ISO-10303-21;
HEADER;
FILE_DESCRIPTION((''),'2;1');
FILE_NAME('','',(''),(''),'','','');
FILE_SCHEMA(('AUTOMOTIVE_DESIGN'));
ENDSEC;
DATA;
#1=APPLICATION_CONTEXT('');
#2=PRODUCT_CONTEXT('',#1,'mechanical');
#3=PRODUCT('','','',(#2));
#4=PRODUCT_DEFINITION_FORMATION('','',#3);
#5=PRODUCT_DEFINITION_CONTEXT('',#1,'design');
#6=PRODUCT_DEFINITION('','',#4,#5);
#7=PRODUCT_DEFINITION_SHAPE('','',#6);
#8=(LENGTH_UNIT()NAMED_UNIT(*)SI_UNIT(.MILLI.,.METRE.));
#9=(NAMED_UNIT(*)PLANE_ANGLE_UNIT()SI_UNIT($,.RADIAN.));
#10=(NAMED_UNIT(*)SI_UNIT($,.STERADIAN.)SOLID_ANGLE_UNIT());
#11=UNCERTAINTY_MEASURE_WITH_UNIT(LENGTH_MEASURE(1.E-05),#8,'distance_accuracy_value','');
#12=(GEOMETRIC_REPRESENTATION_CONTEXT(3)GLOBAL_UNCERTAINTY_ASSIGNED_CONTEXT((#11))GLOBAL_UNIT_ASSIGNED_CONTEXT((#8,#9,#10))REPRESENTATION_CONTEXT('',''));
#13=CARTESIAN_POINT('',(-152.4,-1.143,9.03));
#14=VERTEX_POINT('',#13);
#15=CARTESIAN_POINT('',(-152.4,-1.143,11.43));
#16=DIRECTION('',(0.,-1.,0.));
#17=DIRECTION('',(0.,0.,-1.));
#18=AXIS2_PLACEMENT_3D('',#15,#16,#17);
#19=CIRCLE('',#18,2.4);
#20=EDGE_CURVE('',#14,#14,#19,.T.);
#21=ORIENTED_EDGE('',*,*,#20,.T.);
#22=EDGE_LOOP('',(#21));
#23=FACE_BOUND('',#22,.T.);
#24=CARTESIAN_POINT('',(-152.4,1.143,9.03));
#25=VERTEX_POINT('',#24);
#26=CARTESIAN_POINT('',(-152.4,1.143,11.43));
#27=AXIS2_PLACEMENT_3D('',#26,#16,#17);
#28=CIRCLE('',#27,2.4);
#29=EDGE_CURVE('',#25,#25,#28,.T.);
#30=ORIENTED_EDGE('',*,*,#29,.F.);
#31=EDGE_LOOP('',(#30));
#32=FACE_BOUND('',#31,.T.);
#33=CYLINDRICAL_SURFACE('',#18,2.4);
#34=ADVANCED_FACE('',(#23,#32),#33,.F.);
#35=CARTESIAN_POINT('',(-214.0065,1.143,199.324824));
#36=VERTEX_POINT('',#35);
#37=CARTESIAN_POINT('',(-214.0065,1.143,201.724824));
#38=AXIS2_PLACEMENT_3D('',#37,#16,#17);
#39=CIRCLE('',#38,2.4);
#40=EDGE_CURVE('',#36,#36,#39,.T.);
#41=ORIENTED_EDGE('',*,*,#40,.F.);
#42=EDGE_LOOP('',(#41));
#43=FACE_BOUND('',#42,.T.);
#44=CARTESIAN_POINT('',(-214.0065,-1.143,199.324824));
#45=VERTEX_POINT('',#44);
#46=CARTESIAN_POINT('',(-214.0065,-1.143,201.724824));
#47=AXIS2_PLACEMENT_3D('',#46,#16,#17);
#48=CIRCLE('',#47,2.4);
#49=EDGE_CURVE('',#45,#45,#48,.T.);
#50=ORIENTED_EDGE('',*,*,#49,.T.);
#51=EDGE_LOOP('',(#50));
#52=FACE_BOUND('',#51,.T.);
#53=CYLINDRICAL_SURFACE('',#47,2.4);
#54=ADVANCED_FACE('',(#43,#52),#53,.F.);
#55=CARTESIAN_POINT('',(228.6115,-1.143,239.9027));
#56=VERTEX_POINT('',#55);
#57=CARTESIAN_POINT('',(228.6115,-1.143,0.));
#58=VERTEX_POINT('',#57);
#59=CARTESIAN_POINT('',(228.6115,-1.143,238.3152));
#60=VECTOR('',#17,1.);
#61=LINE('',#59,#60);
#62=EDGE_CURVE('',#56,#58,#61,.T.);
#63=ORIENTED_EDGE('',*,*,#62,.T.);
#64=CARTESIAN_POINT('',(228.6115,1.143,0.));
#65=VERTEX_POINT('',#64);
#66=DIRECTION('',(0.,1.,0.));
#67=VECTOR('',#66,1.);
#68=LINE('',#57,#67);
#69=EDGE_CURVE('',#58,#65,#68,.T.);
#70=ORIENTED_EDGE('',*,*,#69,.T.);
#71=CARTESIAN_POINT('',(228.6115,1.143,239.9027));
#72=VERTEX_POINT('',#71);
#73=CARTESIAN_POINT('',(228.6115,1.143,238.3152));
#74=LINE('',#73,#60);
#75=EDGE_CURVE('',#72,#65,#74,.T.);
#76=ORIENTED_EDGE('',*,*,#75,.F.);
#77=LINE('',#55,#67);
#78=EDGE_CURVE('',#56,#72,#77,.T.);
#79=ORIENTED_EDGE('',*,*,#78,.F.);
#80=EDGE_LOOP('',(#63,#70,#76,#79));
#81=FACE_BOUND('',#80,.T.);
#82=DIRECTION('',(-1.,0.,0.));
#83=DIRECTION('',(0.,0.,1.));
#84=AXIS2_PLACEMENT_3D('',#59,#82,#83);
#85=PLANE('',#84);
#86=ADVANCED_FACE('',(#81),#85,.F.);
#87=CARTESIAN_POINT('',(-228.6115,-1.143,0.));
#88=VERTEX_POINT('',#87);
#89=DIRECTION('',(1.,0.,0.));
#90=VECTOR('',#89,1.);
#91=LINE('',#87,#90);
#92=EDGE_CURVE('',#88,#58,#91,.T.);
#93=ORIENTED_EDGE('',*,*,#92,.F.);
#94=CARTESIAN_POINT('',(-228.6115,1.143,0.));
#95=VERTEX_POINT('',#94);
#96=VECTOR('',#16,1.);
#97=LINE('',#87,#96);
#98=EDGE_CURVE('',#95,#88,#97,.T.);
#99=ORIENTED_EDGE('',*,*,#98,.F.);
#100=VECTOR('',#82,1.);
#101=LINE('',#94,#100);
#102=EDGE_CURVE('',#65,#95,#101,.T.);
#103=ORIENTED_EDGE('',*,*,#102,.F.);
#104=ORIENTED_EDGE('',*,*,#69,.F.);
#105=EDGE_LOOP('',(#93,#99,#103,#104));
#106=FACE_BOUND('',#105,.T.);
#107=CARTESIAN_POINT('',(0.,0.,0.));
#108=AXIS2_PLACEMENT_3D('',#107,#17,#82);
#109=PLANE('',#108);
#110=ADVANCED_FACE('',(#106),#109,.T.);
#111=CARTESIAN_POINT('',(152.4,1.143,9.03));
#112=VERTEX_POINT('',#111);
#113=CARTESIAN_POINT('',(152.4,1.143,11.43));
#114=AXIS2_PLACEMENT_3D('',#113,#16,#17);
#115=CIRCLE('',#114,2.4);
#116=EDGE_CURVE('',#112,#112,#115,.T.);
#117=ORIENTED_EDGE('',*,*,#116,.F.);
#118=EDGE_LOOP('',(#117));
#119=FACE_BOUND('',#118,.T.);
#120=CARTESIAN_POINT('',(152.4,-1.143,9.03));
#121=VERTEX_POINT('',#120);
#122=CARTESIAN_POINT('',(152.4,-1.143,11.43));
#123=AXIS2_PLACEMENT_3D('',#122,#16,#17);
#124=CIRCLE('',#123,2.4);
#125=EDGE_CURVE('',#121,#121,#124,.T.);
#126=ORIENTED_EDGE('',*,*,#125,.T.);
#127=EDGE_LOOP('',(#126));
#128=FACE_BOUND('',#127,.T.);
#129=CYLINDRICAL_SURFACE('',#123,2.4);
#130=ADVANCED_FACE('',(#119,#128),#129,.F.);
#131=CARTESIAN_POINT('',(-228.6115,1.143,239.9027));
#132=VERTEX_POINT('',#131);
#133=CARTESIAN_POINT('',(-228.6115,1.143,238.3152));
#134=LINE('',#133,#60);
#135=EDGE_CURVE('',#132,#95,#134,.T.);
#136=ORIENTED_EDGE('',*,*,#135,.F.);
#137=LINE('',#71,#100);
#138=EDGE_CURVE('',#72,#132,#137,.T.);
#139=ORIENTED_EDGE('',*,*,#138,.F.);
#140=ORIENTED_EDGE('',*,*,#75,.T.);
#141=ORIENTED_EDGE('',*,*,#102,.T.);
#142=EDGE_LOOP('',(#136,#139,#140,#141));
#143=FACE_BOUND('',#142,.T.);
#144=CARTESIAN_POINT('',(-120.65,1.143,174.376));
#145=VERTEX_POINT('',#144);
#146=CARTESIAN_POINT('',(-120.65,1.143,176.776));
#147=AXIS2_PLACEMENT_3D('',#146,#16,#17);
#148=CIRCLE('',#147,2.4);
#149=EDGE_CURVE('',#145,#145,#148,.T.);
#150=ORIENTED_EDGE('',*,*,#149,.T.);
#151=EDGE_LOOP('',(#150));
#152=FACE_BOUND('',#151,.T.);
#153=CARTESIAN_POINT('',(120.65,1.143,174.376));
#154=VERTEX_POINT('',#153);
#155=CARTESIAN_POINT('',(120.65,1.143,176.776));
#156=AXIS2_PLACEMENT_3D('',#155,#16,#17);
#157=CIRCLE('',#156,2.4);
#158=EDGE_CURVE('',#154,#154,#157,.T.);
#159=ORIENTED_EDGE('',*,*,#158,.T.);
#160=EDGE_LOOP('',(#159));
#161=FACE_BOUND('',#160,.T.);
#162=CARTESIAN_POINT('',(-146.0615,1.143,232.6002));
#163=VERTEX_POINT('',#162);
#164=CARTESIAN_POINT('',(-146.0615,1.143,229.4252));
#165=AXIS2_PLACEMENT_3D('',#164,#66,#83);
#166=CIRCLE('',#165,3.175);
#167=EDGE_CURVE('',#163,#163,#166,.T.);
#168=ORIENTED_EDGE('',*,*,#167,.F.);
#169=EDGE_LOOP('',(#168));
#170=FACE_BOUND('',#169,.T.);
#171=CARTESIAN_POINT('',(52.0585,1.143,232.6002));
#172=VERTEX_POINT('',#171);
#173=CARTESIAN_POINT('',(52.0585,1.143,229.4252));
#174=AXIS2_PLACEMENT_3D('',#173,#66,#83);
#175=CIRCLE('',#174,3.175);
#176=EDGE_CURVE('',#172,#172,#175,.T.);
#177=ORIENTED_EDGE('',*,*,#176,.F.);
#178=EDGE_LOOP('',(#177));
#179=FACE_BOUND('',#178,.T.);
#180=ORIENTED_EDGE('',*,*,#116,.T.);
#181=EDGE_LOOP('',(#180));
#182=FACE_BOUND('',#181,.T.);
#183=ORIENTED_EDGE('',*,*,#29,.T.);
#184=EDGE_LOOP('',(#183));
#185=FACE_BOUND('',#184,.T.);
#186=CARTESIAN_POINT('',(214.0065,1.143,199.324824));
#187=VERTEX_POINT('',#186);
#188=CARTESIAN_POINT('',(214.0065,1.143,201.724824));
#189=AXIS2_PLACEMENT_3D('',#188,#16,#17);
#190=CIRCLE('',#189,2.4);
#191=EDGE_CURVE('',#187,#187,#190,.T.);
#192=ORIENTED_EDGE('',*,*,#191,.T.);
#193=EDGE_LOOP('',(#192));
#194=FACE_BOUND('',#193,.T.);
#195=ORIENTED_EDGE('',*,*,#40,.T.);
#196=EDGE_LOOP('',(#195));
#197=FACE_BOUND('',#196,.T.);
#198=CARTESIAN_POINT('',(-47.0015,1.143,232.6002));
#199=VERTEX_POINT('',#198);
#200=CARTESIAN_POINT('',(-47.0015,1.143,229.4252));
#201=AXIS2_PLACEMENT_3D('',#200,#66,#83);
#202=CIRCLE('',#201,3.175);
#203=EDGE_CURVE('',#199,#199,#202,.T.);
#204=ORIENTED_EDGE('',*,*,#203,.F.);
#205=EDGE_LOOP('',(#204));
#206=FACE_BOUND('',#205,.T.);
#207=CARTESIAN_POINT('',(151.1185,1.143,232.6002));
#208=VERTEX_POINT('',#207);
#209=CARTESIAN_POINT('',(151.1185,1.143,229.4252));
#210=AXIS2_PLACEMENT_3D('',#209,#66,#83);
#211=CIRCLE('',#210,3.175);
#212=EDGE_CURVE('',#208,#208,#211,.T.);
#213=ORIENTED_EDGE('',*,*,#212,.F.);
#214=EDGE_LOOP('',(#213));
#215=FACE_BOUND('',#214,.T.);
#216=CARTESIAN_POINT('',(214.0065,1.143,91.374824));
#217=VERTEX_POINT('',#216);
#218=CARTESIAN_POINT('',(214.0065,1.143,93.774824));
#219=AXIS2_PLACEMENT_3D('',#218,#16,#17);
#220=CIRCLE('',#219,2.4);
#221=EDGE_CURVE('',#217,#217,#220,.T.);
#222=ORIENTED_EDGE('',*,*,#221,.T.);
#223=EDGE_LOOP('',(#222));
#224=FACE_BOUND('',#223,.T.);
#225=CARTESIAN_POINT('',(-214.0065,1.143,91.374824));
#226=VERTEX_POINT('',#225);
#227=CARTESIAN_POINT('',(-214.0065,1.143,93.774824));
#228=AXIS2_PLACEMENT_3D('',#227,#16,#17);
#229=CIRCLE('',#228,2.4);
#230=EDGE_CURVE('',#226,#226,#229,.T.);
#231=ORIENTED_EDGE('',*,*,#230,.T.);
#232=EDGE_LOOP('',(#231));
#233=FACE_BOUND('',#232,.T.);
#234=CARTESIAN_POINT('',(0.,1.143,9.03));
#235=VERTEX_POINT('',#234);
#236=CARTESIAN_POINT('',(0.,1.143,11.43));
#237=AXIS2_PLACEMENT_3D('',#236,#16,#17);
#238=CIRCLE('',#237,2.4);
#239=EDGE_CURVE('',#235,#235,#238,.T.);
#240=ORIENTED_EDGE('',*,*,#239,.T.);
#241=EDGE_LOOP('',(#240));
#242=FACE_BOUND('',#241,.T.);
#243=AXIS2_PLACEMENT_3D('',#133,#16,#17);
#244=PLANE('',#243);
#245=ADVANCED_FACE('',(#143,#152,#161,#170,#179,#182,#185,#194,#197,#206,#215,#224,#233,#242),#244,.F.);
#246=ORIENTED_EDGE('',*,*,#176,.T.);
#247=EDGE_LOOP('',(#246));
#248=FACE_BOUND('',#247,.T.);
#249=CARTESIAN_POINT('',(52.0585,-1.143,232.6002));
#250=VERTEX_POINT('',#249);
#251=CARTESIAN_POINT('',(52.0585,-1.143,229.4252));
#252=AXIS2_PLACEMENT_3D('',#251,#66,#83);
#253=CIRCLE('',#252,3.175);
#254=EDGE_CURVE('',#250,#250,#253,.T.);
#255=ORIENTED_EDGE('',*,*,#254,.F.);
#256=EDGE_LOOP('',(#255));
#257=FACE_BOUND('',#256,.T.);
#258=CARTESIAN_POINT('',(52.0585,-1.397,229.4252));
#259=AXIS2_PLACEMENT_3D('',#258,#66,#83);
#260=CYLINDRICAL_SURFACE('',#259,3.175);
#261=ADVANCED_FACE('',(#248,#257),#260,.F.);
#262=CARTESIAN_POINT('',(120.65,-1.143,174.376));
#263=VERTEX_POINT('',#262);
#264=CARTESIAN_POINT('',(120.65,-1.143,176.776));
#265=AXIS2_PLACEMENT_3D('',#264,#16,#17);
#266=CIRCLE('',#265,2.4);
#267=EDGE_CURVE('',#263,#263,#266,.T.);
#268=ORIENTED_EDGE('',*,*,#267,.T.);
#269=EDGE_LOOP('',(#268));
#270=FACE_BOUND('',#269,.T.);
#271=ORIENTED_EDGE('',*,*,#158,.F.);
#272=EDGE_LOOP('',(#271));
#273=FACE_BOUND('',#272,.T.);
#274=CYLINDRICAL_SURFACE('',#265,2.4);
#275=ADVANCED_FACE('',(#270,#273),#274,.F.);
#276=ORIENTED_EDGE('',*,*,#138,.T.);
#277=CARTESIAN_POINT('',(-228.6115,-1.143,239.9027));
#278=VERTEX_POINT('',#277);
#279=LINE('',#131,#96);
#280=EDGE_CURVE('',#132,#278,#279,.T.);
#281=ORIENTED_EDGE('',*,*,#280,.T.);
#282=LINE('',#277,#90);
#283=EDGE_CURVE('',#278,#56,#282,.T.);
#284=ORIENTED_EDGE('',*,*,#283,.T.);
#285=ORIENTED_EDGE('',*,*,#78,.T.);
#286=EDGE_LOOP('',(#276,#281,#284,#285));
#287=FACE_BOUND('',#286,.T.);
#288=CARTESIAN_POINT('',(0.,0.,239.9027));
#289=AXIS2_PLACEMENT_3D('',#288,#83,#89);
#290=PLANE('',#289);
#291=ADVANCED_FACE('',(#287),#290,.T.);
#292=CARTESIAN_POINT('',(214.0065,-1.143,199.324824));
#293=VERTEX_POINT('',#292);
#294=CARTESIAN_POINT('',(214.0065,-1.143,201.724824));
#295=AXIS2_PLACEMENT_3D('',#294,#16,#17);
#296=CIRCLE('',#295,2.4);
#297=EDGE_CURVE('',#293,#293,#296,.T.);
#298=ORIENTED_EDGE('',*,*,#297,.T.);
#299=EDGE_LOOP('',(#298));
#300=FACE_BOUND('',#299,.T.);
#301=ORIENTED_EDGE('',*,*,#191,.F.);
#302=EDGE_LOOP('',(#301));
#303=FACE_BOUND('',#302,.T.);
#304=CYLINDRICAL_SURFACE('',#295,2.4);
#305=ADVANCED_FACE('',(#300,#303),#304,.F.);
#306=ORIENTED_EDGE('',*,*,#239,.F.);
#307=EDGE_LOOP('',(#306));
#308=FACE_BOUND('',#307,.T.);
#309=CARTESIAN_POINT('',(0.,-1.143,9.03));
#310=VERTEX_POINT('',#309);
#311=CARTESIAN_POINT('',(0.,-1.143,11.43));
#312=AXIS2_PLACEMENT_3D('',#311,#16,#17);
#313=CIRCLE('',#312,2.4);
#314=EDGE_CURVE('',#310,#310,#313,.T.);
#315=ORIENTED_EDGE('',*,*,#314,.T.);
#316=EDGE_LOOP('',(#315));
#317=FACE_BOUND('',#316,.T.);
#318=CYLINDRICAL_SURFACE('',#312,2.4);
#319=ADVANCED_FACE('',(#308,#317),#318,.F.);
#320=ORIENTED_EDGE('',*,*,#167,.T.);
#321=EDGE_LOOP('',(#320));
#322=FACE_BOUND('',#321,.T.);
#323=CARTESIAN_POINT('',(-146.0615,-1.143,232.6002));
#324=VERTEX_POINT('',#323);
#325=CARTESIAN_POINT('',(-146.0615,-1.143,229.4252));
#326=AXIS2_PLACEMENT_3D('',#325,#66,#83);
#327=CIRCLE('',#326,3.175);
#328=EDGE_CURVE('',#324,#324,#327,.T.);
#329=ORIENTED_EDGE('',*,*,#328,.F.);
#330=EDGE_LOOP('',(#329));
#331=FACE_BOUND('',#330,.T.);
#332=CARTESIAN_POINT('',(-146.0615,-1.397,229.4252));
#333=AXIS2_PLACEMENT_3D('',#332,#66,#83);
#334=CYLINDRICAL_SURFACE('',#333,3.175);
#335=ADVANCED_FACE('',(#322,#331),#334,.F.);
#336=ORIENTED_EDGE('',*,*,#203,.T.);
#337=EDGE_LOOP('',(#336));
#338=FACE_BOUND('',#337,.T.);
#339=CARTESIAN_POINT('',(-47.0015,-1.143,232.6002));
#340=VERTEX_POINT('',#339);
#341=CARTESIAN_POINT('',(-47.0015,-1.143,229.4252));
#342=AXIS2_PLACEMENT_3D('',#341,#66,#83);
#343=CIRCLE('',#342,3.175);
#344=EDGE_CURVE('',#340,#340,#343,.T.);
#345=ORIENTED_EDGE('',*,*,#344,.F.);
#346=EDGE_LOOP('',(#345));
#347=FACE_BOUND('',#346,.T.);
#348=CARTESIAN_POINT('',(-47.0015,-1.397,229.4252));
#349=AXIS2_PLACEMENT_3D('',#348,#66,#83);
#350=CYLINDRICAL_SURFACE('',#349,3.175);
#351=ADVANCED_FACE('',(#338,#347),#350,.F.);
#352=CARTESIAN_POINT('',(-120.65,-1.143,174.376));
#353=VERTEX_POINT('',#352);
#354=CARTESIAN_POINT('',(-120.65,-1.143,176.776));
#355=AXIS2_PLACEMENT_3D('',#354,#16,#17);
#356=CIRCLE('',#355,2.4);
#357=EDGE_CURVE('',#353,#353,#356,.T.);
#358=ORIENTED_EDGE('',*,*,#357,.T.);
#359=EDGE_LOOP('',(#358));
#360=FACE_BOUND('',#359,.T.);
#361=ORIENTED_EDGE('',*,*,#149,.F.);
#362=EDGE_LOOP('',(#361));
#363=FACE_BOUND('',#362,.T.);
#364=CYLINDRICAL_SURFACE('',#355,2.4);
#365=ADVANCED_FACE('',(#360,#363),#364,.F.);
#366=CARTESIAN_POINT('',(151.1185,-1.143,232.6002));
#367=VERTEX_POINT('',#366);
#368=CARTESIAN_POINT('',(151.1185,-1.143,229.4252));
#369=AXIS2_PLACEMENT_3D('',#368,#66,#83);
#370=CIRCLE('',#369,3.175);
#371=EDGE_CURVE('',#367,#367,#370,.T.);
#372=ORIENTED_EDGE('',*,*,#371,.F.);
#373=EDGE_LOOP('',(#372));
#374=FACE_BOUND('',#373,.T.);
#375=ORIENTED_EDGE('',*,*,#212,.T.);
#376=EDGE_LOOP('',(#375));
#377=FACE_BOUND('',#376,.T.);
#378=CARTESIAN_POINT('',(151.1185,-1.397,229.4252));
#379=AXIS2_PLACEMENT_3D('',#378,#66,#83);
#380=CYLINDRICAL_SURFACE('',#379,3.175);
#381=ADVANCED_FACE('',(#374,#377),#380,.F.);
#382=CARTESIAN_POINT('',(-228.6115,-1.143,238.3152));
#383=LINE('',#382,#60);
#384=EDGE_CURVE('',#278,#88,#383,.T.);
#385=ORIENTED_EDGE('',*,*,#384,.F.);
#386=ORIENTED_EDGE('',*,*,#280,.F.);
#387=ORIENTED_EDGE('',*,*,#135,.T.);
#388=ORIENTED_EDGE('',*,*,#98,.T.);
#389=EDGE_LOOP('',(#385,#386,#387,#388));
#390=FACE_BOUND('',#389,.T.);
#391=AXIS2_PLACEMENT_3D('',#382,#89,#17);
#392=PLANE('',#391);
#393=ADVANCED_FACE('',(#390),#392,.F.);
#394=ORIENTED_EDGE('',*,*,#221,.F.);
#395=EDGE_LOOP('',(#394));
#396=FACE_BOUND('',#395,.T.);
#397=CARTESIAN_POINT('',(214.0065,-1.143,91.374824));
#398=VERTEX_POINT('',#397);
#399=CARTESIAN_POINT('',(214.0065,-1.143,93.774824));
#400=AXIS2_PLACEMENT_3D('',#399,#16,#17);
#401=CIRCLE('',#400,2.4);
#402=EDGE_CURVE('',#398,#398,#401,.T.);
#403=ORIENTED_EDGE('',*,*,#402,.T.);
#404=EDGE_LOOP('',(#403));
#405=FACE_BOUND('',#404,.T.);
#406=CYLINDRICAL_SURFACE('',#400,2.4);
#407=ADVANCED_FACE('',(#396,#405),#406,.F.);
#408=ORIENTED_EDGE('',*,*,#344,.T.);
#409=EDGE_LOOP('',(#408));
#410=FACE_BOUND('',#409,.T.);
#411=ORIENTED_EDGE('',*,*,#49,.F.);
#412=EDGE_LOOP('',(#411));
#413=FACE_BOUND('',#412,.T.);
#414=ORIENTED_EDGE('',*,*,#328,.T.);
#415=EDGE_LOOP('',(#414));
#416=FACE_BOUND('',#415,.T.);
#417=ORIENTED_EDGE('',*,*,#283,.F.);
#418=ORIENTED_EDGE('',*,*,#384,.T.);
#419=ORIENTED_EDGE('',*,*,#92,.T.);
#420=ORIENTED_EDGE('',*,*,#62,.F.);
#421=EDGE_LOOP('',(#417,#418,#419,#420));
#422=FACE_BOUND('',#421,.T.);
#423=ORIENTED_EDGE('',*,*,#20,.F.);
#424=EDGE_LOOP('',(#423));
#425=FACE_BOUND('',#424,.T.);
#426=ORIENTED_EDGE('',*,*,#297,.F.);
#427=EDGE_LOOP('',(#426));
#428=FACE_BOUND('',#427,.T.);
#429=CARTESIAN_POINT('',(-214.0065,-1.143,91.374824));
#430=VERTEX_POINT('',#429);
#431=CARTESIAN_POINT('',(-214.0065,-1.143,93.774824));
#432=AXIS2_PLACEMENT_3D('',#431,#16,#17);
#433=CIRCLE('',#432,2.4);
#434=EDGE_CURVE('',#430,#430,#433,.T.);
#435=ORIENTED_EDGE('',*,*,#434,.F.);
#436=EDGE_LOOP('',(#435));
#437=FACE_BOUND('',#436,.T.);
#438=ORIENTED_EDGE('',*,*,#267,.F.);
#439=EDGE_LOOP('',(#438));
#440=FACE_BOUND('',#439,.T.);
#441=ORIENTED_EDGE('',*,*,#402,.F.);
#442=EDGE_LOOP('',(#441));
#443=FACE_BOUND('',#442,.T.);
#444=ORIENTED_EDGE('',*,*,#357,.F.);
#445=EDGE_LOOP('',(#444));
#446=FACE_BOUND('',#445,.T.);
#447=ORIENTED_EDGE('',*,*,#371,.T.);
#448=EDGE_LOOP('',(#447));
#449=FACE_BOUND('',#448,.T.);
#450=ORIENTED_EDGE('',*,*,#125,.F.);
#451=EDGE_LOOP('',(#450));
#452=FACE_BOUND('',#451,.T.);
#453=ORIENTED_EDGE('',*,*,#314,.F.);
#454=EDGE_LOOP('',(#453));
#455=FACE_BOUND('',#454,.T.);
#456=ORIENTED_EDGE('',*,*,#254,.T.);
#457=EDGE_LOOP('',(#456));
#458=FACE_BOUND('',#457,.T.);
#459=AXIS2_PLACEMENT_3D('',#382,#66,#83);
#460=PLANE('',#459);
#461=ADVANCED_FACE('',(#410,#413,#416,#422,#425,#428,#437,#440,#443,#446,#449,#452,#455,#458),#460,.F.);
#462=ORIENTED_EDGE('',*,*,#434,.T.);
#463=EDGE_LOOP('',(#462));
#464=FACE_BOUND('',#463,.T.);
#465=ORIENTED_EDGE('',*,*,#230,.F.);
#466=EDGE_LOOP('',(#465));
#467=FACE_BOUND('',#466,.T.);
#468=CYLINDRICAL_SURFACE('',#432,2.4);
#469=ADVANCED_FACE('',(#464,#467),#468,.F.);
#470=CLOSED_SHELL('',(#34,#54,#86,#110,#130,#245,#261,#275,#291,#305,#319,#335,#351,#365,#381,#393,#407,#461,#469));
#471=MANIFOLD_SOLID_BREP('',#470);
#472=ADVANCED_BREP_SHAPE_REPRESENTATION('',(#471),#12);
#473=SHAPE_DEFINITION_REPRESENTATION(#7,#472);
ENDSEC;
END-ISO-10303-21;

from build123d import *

# Parameters (mm, degrees)
SKETCH1_W            = 457.223
SKETCH1_H            = 2.286
BOSS_EXTRUDE1_DEPTH  = 238.315200026
SKETCH9_R            = 3.175
CUT_EXTRUDE10_DEPTH  = 2.54
LPATTERN1_COUNT      = 4
LPATTERN1_PITCH      = 99.06
SKETCH15_W           = 457.223
SKETCH15_H           = 2.286
BOSS_EXTRUDE3_DEPTH  = 1.5875
M4_CLEARANCE_HOLE1_D = 4.8


with BuildPart() as part:
    # Sketch1 → Boss-Extrude1 (new body)
    with BuildSketch(Plane.XY):
        Rectangle(SKETCH1_W, SKETCH1_H)
    extrude(amount=BOSS_EXTRUDE1_DEPTH)

    # Sketch9 → Cut-Extrude10 (cut)
    with BuildSketch(Plane(origin=(0, 1.143, 0), x_dir=(1, 0, 0), z_dir=(0, 1, 0))):
        with Locations(Location((-146.0615, -229.425200026, 0), (0, 0, 270))):
            Circle(SKETCH9_R)
    cut_extrude10 = extrude(amount=-CUT_EXTRUDE10_DEPTH, mode=Mode.SUBTRACT)

    # LPattern1: Cut-Extrude10 ×4
    with Locations(*[(i * LPATTERN1_PITCH, 0, 0) for i in range(1, LPATTERN1_COUNT)]):
        add(cut_extrude10, mode=Mode.SUBTRACT)

    # Sketch15 → Boss-Extrude3 (add)
    with BuildSketch(Plane.XY.offset(238.315200026)):
        Rectangle(SKETCH15_W, SKETCH15_H)
    extrude(amount=BOSS_EXTRUDE3_DEPTH)

    # M4 Clearance Hole1 (through all)
    with Locations(Plane.XZ.offset(1.143)):
        with Locations((-214.0065, 201.724823778), (-214.0065, 93.774823778), (-152.4, 11.43), (0, 11.43), (152.4, 11.43), (214.0065, 93.774823778), (214.0065, 201.724823778), (120.65, 176.776), (-120.65, 176.776)):
            Hole(M4_CLEARANCE_HOLE1_D / 2)


solid = part.part
